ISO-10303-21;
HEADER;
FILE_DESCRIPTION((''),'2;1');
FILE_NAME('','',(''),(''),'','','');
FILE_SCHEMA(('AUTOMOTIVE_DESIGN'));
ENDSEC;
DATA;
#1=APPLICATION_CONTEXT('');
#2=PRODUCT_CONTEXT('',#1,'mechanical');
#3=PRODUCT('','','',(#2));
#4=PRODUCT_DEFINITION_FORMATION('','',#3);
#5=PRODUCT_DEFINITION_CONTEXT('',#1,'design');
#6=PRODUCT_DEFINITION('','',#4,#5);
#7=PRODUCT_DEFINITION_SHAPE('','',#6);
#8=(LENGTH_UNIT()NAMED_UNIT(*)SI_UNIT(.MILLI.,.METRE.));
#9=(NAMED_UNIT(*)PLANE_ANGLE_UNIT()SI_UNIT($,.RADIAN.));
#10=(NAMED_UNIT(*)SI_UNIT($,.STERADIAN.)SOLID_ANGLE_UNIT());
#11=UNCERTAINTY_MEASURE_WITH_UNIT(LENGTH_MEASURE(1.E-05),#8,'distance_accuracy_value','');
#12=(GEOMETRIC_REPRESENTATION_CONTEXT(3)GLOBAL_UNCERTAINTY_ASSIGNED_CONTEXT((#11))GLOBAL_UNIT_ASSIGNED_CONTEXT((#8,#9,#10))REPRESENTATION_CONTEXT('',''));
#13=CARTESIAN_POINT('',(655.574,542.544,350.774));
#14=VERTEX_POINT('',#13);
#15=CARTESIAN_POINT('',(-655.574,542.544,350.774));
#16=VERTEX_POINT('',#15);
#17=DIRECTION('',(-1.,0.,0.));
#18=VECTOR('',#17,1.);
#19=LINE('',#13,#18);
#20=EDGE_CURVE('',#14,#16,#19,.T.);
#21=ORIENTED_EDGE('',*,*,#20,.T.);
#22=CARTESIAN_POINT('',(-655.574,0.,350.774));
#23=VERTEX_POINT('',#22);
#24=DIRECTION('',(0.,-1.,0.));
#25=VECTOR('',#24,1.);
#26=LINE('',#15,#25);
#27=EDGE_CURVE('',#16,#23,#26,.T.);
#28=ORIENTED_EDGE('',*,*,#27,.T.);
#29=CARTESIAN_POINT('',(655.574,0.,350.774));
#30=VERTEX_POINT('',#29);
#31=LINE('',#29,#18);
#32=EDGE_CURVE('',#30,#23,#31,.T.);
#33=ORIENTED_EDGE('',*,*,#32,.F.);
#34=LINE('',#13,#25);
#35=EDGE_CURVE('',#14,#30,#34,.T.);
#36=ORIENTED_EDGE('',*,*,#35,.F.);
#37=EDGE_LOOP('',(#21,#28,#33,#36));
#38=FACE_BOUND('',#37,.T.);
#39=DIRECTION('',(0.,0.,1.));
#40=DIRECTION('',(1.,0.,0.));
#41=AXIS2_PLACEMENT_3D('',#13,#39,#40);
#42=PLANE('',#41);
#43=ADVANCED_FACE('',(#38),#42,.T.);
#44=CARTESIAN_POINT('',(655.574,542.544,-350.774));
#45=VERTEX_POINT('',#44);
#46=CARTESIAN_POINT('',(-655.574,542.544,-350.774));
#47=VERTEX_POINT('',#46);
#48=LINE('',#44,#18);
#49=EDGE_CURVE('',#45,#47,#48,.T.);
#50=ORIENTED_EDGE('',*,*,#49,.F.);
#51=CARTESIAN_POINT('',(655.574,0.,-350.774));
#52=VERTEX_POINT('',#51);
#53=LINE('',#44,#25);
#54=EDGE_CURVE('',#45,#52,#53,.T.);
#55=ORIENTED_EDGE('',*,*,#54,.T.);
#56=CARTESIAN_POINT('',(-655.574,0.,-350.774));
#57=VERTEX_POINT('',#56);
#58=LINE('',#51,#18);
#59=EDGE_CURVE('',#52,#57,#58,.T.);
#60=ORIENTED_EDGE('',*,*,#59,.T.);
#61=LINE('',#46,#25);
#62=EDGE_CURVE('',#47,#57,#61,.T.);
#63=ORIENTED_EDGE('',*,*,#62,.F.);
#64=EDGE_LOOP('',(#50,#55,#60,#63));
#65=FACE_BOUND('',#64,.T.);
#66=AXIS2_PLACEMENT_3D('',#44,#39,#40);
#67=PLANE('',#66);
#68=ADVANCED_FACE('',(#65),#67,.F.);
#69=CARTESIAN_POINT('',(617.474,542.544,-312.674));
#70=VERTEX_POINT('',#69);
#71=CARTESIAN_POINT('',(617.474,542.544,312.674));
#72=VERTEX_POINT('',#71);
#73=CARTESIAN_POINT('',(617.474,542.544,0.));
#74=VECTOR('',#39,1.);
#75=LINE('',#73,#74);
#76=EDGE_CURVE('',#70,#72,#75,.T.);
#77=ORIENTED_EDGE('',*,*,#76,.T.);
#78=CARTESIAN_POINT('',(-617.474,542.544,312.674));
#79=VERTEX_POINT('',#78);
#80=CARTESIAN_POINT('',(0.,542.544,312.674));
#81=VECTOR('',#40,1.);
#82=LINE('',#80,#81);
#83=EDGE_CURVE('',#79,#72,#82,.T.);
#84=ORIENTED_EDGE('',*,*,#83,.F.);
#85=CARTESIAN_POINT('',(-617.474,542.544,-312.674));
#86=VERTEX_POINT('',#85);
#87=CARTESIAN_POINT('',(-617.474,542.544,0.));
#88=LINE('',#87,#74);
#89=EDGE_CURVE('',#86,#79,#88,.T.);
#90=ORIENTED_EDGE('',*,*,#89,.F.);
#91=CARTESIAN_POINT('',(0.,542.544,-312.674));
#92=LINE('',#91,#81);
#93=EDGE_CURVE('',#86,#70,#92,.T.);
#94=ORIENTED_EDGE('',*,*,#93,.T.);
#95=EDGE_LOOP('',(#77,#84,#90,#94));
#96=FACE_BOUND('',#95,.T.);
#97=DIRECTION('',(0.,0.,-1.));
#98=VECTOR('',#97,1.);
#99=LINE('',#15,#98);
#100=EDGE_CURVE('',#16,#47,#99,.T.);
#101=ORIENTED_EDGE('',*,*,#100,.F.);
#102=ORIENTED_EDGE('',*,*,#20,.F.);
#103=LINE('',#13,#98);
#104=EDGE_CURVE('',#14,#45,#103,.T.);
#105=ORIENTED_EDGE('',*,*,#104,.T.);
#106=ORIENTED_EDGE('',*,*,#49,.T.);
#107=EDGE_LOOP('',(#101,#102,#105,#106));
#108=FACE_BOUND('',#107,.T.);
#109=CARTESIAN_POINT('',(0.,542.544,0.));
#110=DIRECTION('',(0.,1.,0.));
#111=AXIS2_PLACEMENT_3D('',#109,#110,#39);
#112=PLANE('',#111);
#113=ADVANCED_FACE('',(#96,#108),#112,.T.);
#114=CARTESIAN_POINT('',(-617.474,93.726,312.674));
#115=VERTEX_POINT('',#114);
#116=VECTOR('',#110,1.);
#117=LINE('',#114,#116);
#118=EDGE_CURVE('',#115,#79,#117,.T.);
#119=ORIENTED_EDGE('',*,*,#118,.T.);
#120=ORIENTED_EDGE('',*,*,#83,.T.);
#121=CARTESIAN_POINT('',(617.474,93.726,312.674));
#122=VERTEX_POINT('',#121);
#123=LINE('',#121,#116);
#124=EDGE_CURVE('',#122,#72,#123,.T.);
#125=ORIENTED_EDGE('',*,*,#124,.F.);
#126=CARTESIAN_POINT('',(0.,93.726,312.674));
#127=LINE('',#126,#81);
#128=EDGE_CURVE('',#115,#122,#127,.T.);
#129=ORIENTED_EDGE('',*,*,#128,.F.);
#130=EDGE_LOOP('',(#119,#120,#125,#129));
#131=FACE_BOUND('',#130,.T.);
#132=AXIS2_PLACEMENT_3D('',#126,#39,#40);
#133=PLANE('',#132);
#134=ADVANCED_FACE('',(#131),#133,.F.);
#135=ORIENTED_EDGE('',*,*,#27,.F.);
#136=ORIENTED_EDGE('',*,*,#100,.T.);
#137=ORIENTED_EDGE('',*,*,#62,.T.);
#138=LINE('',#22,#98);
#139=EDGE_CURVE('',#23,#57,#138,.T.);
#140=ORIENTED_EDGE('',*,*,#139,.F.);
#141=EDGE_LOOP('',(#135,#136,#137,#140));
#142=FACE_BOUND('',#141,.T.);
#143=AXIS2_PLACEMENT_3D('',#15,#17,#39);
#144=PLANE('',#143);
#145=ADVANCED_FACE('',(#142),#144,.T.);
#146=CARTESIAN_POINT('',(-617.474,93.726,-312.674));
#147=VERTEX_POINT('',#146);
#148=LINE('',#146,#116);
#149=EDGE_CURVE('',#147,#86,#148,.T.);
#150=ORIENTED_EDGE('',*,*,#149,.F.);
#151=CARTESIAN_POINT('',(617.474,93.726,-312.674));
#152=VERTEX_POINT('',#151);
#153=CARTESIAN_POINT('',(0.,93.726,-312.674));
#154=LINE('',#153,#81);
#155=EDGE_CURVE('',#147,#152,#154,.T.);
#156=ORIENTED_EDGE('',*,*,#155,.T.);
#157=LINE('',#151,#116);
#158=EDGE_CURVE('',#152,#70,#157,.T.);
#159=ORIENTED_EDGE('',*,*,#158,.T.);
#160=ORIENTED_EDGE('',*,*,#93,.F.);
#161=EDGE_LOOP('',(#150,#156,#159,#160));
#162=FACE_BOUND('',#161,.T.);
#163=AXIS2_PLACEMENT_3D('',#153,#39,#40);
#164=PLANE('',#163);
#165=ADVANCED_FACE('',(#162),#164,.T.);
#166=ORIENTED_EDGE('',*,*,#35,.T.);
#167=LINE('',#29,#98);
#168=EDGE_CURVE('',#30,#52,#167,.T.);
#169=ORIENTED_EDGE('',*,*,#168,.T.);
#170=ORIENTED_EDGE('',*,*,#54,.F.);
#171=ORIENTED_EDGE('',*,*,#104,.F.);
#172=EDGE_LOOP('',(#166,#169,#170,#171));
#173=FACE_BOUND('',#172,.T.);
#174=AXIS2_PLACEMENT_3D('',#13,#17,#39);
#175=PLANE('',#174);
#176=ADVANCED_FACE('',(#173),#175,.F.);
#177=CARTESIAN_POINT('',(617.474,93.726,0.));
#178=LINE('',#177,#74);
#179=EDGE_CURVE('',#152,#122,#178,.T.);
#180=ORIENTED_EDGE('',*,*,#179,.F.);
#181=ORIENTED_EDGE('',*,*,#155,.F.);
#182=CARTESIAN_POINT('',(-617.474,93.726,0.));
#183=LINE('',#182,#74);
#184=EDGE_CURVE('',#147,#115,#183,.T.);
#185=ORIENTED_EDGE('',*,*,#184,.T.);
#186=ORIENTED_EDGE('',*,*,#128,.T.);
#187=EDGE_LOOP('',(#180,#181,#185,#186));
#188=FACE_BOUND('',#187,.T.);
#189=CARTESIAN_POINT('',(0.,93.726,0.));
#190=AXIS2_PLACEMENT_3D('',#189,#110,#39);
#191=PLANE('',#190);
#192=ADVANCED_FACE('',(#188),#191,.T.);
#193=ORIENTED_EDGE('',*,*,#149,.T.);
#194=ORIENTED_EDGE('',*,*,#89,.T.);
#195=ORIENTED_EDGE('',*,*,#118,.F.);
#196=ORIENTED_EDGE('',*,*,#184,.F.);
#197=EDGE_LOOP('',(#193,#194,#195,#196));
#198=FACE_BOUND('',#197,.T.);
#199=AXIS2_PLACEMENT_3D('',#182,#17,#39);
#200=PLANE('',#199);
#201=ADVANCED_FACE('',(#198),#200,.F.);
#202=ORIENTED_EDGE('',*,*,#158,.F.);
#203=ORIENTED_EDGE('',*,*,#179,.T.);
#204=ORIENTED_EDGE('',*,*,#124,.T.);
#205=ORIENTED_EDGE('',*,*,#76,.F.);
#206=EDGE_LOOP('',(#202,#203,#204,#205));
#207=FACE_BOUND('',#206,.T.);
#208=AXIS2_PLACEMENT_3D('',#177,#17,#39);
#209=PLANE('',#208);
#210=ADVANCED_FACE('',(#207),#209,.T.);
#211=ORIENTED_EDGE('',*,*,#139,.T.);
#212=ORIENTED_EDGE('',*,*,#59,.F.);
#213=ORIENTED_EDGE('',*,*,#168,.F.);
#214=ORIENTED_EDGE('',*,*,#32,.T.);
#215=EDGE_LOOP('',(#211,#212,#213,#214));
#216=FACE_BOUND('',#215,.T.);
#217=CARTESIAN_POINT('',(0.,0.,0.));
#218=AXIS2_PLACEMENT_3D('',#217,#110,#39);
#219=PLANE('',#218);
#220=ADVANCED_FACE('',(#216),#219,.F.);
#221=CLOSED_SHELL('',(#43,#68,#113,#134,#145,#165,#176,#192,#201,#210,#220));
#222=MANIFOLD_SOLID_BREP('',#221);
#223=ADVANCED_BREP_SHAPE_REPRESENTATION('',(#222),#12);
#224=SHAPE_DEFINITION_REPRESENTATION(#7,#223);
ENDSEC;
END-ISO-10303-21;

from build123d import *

# Parameters (mm, degrees)
SKETCH1_W           = 1311.148
SKETCH1_H           = 701.548
BOSS_EXTRUDE1_DEPTH = 542.544
CUT_EXTRUDE1_START  = 542.544
SKETCH1_4_W         = 1234.948
SKETCH1_4_H         = 625.348
CUT_EXTRUDE1_DEPTH  = 448.818


with BuildPart() as part:
    # Sketch1 → Boss-Extrude1 (new body)
    with BuildSketch(Plane(origin=(0, 0, 0), x_dir=(1, 0, 0), z_dir=(0, 1, 0))):
        Rectangle(SKETCH1_W, SKETCH1_H)
    extrude(amount=BOSS_EXTRUDE1_DEPTH)

    # Sketch1<4> → Cut-Extrude1 (cut)
    with BuildSketch(Plane(origin=(0, 0, 0), x_dir=(1, 0, 0), z_dir=(0, 1, 0)).offset(CUT_EXTRUDE1_START)):
        Rectangle(SKETCH1_4_W, SKETCH1_4_H)
    extrude(amount=-CUT_EXTRUDE1_DEPTH, mode=Mode.SUBTRACT)


solid = part.part
